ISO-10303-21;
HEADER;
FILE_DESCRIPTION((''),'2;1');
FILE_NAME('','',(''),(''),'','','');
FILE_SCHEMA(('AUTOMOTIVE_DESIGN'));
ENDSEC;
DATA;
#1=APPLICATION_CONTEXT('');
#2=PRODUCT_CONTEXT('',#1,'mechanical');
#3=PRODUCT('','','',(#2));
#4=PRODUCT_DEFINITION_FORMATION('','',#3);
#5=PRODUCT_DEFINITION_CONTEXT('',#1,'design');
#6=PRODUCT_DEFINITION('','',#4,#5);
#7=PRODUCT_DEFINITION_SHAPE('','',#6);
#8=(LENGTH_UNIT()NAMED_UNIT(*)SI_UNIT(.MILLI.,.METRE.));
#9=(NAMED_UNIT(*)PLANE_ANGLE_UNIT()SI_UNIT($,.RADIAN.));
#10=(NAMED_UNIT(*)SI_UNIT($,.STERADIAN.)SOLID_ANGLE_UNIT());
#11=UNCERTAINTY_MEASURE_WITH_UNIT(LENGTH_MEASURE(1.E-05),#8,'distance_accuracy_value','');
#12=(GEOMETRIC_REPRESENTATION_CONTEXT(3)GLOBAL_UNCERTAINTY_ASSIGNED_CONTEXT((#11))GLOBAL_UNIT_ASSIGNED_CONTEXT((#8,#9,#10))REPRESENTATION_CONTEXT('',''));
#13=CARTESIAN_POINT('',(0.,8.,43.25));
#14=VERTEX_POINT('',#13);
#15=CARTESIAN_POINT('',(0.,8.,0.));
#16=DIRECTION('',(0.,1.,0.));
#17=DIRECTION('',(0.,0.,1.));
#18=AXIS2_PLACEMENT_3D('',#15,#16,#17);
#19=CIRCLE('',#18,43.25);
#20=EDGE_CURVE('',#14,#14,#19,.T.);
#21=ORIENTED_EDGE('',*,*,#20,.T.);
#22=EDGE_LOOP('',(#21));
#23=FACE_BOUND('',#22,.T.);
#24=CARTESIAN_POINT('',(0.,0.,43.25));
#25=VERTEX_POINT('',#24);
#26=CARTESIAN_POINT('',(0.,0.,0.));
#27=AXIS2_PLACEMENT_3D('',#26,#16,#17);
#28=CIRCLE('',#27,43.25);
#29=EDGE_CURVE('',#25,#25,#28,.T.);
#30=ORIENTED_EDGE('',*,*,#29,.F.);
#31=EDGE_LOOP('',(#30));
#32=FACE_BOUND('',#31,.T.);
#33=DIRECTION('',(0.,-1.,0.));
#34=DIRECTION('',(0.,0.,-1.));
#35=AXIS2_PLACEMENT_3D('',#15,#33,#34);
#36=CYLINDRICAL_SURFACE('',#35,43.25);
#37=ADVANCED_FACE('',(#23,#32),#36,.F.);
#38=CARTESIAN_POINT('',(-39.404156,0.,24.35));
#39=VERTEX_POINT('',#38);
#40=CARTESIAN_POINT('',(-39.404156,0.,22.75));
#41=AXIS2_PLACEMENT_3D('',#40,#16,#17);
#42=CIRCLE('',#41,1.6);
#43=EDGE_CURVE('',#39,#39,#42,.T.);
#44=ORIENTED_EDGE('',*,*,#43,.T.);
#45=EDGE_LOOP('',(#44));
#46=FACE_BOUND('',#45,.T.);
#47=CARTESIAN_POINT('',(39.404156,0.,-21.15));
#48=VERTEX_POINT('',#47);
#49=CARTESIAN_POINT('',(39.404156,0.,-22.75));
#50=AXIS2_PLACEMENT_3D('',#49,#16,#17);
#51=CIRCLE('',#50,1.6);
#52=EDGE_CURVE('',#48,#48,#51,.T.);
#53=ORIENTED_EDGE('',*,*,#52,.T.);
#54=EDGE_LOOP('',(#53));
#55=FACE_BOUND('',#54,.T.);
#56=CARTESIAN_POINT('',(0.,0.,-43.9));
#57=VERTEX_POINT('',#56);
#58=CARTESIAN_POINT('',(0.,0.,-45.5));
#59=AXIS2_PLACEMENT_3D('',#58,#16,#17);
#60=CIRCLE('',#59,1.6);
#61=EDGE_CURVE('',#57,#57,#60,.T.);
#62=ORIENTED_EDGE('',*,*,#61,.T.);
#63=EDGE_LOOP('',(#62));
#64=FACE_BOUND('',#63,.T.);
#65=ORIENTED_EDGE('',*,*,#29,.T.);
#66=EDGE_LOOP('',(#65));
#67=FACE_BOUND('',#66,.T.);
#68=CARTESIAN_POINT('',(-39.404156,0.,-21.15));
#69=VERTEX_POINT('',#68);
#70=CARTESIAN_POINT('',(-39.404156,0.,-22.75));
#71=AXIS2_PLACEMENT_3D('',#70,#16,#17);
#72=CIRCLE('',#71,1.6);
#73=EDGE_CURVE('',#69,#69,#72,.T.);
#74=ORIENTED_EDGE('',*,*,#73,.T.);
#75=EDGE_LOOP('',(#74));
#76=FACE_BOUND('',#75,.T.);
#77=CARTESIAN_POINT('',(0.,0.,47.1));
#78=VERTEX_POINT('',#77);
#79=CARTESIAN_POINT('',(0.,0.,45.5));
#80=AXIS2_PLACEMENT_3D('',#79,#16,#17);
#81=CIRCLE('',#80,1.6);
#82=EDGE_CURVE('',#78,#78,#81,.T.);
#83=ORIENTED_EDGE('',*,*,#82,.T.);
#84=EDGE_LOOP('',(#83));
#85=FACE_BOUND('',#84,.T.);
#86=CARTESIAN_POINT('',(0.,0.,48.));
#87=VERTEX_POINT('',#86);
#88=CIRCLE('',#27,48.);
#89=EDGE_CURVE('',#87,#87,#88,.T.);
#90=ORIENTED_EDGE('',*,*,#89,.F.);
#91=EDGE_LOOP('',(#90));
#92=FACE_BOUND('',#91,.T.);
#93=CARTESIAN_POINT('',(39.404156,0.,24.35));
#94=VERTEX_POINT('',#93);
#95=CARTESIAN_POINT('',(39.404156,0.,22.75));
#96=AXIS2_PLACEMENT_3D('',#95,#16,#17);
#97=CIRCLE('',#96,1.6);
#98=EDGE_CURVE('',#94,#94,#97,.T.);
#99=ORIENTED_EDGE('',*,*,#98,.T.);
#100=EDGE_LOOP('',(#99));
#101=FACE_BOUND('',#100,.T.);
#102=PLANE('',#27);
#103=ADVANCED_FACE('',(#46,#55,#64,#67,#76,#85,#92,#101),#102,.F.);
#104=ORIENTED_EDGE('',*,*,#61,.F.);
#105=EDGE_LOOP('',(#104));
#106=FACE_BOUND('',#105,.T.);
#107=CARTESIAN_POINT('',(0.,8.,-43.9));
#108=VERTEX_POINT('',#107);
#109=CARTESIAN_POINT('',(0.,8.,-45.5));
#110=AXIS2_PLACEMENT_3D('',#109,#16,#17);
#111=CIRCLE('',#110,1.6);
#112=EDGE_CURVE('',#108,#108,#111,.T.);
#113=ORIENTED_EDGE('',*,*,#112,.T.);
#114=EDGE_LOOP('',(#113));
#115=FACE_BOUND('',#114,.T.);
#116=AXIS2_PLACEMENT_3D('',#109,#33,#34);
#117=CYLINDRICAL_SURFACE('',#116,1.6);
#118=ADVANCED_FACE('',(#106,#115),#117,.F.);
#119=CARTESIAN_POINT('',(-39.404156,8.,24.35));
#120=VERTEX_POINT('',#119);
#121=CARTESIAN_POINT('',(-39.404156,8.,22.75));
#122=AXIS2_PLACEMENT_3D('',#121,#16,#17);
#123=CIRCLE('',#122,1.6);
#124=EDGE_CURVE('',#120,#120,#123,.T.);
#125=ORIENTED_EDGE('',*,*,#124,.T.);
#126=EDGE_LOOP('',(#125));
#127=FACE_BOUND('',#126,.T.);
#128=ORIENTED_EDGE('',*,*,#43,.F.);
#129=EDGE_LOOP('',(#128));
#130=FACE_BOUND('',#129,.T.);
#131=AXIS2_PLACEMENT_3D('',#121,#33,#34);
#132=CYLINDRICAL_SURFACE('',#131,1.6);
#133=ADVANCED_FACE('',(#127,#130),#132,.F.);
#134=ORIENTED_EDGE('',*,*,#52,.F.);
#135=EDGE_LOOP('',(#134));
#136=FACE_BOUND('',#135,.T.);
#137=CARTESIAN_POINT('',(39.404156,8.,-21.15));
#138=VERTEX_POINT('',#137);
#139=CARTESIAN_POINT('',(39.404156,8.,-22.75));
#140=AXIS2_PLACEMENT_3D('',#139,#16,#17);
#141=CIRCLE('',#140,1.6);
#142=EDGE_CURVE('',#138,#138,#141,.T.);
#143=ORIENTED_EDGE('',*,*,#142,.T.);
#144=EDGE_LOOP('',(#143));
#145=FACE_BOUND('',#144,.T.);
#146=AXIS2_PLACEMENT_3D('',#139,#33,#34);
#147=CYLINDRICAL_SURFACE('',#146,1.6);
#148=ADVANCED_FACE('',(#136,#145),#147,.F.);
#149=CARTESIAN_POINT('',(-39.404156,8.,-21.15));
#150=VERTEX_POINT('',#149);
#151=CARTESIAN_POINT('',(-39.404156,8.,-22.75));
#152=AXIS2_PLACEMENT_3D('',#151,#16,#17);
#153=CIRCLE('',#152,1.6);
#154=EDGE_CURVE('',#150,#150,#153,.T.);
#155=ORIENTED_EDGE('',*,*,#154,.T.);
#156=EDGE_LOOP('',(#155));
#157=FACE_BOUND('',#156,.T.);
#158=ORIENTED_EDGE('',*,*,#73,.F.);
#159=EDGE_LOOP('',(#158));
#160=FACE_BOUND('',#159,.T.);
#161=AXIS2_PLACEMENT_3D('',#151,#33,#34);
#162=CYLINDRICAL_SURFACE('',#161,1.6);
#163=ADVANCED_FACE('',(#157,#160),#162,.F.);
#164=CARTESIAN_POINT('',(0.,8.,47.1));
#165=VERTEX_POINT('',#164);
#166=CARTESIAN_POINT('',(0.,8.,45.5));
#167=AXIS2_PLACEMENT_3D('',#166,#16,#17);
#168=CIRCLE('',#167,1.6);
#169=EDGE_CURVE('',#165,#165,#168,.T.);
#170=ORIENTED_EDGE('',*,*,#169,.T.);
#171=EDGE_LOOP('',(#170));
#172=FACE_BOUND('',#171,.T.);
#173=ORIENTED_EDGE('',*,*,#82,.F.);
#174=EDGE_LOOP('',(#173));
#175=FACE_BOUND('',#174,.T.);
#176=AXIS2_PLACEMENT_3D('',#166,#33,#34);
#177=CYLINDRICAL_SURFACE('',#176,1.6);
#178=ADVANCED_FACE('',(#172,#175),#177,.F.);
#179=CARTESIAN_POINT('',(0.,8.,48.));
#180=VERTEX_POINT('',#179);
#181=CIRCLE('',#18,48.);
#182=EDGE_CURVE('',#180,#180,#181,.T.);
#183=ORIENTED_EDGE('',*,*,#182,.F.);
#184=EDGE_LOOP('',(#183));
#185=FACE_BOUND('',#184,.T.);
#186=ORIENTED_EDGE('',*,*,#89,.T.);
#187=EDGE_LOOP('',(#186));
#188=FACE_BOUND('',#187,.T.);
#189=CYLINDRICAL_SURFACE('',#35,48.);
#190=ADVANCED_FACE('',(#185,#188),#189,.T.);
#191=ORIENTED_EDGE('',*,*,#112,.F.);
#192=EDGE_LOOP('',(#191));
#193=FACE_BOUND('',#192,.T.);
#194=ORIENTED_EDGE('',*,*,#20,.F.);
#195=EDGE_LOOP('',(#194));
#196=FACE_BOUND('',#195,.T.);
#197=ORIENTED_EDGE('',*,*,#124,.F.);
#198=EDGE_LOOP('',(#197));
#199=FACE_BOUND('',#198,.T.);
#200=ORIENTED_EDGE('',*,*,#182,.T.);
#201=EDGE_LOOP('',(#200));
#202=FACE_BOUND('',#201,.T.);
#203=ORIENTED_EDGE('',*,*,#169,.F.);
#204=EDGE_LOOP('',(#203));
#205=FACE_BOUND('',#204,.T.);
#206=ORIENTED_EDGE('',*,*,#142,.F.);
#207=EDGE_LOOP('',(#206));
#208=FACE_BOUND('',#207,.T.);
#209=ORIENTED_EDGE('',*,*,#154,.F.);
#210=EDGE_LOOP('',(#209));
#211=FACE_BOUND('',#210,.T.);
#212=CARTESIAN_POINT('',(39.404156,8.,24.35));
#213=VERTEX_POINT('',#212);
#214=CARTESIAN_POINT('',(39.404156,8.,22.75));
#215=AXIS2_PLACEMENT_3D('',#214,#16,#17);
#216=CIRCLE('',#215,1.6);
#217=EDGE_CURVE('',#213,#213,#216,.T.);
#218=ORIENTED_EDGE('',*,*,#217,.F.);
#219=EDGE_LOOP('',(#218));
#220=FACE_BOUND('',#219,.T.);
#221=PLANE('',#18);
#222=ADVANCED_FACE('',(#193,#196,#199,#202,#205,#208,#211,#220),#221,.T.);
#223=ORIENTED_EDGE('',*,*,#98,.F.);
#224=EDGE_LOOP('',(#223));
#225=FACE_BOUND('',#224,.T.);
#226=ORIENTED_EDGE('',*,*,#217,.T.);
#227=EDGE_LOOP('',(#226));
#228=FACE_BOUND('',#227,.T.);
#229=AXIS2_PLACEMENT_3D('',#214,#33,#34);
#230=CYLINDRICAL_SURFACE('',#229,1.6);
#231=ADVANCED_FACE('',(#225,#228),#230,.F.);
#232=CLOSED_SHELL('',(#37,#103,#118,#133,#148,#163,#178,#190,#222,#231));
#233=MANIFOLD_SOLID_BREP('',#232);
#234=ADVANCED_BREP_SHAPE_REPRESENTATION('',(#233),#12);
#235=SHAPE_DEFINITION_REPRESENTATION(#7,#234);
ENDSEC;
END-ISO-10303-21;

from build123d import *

# Parameters (mm, degrees)
SKETCH_1_R      = 48
SKETCH_1_R_2    = 43.25
SKETCH_1_R_3    = 1.6
EXTRUDE_1_DEPTH = 8


with BuildPart() as part:
    # 草图1 → 凸台-拉伸1 (new body)
    with BuildSketch(Plane(origin=(0, 0, 0), x_dir=(1, 0, 0), z_dir=(0, 1, 0))):
        with Locations(Location((0, 0, 0), (0, 0, 270))):
            Circle(SKETCH_1_R)
        with Locations(Location((0, 0, 0), (0, 0, 270))):
            Circle(SKETCH_1_R_2, mode=Mode.SUBTRACT)
        with Locations(Location((0, 45.5, 0), (0, 0, 270))):
            Circle(SKETCH_1_R_3, mode=Mode.SUBTRACT)
        with Locations(Location((39.404155872, 22.75, 0), (0, 0, 270))):
            Circle(SKETCH_1_R_3, mode=Mode.SUBTRACT)
        with Locations(Location((39.404155872, -22.75, 0), (0, 0, 270))):
            Circle(SKETCH_1_R_3, mode=Mode.SUBTRACT)
        with Locations(Location((0, -45.5, 0), (0, 0, 270))):
            Circle(SKETCH_1_R_3, mode=Mode.SUBTRACT)
        with Locations(Location((-39.404155872, -22.75, 0), (0, 0, 270))):
            Circle(SKETCH_1_R_3, mode=Mode.SUBTRACT)
        with Locations(Location((-39.404155872, 22.75, 0), (0, 0, 270))):
            Circle(SKETCH_1_R_3, mode=Mode.SUBTRACT)
    extrude(amount=EXTRUDE_1_DEPTH)


solid = part.part
